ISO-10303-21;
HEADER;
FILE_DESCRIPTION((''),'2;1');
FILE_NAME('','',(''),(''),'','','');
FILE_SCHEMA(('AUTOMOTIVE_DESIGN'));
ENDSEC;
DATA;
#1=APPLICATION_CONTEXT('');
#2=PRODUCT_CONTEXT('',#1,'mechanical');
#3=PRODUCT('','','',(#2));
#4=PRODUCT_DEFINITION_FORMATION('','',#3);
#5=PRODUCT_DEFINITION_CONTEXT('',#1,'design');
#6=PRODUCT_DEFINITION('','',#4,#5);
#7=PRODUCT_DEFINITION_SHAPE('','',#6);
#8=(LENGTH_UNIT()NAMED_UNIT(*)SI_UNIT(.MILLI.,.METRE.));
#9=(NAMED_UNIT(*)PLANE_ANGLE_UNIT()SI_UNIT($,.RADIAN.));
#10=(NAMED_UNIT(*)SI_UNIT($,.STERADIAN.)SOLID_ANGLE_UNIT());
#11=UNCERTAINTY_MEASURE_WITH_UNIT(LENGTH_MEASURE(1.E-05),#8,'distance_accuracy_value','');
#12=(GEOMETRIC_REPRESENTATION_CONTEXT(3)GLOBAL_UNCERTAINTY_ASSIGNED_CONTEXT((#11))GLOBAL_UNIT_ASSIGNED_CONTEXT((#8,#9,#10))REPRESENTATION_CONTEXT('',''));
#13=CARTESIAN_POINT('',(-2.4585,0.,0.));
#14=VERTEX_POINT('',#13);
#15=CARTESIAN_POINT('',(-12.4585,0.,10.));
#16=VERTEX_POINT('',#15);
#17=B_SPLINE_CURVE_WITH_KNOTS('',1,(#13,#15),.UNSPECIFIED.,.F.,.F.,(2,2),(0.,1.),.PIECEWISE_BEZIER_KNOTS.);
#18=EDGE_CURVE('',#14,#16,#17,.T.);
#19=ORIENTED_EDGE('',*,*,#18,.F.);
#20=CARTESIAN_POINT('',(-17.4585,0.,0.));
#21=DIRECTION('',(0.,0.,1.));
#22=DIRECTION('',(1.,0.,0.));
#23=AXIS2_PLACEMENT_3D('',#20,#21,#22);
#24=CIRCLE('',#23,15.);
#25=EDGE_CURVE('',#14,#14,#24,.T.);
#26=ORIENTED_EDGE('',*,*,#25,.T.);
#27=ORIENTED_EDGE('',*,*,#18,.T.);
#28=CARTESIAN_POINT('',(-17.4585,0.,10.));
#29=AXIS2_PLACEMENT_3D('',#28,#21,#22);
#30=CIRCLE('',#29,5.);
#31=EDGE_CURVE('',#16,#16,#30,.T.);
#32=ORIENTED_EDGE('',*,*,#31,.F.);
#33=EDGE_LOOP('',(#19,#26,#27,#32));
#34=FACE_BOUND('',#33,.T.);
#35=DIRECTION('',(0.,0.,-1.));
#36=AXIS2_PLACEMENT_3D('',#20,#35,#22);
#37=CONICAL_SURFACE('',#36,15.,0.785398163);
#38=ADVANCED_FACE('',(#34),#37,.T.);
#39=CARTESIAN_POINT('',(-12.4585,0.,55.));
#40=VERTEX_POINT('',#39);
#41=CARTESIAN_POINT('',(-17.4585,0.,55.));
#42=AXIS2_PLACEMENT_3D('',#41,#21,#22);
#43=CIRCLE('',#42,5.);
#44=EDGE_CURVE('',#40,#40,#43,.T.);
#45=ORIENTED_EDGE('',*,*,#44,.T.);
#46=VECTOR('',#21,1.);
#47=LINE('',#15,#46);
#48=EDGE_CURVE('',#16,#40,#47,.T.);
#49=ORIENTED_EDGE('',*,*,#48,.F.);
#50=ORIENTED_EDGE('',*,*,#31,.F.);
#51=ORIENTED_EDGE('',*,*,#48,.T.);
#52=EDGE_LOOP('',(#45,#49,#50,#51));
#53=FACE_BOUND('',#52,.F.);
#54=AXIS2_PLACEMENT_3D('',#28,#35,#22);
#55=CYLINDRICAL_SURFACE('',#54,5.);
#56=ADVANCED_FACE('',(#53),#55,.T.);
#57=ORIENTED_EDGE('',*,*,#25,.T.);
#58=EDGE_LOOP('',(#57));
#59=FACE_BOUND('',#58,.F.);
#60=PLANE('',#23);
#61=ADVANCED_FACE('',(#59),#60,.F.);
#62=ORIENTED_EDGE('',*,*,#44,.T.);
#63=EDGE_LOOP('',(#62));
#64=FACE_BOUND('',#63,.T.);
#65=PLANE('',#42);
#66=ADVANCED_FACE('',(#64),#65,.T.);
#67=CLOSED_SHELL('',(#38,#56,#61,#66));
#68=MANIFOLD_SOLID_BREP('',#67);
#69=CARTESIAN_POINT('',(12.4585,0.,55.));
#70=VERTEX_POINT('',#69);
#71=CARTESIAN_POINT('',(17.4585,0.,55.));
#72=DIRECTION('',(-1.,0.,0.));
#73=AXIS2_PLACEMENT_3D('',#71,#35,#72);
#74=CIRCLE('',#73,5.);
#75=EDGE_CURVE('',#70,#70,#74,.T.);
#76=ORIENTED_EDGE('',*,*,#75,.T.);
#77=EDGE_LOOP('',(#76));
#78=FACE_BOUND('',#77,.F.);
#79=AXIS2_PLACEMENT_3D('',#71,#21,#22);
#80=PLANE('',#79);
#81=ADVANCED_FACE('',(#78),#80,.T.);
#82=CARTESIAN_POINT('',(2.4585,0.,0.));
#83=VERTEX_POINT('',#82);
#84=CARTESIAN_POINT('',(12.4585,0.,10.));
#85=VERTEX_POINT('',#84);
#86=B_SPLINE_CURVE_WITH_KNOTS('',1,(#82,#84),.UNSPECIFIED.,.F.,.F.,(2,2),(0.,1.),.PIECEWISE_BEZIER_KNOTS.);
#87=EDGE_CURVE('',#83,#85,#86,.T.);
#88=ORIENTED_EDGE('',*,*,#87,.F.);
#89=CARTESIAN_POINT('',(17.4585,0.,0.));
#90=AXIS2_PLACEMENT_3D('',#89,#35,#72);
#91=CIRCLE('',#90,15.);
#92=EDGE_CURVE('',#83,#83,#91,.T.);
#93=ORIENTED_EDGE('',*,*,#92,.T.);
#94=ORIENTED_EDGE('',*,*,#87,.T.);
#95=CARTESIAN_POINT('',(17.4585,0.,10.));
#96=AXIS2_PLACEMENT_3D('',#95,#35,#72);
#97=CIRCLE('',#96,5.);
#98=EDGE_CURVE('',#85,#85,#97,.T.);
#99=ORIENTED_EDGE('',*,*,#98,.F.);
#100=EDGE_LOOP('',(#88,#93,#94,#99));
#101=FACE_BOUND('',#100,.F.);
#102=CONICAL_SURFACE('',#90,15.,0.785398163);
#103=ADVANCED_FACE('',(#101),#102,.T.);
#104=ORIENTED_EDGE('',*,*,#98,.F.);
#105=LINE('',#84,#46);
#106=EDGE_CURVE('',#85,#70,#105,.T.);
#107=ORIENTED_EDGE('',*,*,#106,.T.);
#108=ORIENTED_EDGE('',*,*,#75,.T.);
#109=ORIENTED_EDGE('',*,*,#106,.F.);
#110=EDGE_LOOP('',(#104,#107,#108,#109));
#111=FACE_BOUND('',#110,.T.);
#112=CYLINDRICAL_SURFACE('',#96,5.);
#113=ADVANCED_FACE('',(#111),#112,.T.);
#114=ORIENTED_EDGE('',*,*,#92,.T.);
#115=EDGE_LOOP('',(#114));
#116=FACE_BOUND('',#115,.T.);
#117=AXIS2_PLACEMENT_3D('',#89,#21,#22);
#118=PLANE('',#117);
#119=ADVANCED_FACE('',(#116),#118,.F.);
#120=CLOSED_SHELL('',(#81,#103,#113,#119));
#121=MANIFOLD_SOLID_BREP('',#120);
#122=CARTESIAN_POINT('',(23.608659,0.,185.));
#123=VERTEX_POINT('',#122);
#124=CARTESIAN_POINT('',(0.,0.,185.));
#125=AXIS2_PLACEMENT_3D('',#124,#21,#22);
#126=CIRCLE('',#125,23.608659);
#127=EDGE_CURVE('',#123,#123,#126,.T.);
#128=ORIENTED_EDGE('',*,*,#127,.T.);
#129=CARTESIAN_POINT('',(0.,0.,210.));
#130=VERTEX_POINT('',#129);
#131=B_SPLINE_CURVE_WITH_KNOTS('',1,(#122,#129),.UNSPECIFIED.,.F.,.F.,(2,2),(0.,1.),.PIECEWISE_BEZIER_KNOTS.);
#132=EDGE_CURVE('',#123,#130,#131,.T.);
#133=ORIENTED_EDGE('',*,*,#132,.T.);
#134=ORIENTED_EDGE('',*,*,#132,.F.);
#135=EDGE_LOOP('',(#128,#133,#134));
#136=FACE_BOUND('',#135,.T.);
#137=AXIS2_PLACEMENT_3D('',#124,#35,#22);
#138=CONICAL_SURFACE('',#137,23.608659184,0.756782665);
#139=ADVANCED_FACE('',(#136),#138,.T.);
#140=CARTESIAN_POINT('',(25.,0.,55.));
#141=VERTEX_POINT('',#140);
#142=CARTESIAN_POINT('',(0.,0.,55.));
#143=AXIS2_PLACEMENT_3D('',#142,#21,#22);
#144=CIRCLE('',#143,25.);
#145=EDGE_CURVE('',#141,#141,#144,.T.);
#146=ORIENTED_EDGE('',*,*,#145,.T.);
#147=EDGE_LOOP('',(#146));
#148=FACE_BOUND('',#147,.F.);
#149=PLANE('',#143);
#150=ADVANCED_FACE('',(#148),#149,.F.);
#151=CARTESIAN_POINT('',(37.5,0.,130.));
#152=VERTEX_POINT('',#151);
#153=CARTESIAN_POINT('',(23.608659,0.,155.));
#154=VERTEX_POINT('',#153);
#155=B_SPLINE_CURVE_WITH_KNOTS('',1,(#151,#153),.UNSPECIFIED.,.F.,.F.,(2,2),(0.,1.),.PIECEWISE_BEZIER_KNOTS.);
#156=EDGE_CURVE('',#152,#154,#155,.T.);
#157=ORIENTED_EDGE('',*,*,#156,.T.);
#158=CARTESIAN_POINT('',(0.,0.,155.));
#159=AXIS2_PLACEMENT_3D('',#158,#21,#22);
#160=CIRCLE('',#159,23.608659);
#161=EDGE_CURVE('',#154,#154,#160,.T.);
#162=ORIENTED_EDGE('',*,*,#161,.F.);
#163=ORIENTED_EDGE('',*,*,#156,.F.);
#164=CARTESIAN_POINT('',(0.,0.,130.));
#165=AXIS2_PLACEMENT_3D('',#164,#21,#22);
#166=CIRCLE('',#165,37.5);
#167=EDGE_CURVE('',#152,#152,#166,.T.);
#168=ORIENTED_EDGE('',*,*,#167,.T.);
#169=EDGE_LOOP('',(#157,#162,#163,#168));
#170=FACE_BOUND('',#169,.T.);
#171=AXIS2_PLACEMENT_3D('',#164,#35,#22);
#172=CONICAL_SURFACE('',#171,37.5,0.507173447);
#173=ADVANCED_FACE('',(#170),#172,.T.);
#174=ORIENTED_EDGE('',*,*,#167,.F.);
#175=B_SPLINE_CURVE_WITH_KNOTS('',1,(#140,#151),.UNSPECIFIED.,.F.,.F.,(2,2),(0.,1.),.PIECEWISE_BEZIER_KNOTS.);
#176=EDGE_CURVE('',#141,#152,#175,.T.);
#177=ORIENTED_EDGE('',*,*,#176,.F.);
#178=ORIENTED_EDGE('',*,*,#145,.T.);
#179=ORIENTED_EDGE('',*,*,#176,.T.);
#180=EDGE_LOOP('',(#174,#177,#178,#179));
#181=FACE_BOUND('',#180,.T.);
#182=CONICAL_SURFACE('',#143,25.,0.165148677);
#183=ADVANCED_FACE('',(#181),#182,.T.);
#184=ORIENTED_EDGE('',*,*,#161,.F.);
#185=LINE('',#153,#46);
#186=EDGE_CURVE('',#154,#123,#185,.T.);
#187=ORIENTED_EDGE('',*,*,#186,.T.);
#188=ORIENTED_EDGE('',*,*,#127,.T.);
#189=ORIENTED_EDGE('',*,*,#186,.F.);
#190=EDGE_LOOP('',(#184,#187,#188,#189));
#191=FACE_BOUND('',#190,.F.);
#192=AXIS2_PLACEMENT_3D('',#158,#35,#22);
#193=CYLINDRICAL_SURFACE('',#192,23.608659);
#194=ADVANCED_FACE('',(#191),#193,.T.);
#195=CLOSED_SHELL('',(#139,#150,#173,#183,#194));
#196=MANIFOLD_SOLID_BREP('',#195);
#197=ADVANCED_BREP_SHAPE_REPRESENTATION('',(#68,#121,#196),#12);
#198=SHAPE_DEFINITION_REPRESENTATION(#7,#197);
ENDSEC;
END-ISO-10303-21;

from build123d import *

# Parameters (mm, degrees)
F0_R       = 15
F2_R       = 5
F4_DEPTH   = 45
F7_R       = 25
F9_R       = 37.5
F10_FACE_R = 37.5
F12_R      = 23.6086591836
F14_DEPTH  = 30
F14_FACE_R = 23.6086591836


with BuildPart() as f3:
    # F0 (on Top) → F3 section 0
    with BuildSketch(Plane.XY):
        with Locations((-17.4585003406, 0)):
            Circle(F0_R)
    # F2 (on offset) → F3 section 1
    with BuildSketch(Plane.XY.offset(10)):
        with Locations((-17.4585003406, 0)):
            Circle(F2_R)
    loft()

    # F4 (add): a face of the model
    f4_faces = [f3.faces().sort_by_distance(p)[0] for p in [
        (-17.4585003406, 0, 10),
    ]]
    extrude(f4_faces, amount=F4_DEPTH)


with BuildPart() as f5_1:
    # F5: instance of F3
    add(f3.part.mirror(Plane.YZ))


with BuildPart() as f10:
    # F7 (on offset) → F10 section 0
    with BuildSketch(Plane.XY.offset(55)):
        Circle(F7_R)
    # F9 (on offset) → F10 section 1
    with BuildSketch(Plane.XY.offset(130)):
        Circle(F9_R)
    loft()

    # F10_face (on face) → F13 section 0
    with BuildSketch(Plane.XY.offset(130)):
        Circle(F10_FACE_R)
    # F12 (on offset) → F13 section 1
    with BuildSketch(Plane.XY.offset(155)):
        Circle(F12_R)
    loft()

    # F14 (add): a face of the model
    f14_faces = [f10.faces().sort_by_distance(p)[0] for p in [
        (0, 0, 155),
    ]]
    extrude(f14_faces, amount=F14_DEPTH)

    # F14_face (on face) → F17 section 0
    with BuildSketch(Plane.XY.offset(185), mode=Mode.PRIVATE) as f17_s0:
        Circle(F14_FACE_R)
    loft([f17_s0.sketch, Vertex(0, 0, 210)])


solid = Compound([f3.part, f5_1.part, f10.part])
